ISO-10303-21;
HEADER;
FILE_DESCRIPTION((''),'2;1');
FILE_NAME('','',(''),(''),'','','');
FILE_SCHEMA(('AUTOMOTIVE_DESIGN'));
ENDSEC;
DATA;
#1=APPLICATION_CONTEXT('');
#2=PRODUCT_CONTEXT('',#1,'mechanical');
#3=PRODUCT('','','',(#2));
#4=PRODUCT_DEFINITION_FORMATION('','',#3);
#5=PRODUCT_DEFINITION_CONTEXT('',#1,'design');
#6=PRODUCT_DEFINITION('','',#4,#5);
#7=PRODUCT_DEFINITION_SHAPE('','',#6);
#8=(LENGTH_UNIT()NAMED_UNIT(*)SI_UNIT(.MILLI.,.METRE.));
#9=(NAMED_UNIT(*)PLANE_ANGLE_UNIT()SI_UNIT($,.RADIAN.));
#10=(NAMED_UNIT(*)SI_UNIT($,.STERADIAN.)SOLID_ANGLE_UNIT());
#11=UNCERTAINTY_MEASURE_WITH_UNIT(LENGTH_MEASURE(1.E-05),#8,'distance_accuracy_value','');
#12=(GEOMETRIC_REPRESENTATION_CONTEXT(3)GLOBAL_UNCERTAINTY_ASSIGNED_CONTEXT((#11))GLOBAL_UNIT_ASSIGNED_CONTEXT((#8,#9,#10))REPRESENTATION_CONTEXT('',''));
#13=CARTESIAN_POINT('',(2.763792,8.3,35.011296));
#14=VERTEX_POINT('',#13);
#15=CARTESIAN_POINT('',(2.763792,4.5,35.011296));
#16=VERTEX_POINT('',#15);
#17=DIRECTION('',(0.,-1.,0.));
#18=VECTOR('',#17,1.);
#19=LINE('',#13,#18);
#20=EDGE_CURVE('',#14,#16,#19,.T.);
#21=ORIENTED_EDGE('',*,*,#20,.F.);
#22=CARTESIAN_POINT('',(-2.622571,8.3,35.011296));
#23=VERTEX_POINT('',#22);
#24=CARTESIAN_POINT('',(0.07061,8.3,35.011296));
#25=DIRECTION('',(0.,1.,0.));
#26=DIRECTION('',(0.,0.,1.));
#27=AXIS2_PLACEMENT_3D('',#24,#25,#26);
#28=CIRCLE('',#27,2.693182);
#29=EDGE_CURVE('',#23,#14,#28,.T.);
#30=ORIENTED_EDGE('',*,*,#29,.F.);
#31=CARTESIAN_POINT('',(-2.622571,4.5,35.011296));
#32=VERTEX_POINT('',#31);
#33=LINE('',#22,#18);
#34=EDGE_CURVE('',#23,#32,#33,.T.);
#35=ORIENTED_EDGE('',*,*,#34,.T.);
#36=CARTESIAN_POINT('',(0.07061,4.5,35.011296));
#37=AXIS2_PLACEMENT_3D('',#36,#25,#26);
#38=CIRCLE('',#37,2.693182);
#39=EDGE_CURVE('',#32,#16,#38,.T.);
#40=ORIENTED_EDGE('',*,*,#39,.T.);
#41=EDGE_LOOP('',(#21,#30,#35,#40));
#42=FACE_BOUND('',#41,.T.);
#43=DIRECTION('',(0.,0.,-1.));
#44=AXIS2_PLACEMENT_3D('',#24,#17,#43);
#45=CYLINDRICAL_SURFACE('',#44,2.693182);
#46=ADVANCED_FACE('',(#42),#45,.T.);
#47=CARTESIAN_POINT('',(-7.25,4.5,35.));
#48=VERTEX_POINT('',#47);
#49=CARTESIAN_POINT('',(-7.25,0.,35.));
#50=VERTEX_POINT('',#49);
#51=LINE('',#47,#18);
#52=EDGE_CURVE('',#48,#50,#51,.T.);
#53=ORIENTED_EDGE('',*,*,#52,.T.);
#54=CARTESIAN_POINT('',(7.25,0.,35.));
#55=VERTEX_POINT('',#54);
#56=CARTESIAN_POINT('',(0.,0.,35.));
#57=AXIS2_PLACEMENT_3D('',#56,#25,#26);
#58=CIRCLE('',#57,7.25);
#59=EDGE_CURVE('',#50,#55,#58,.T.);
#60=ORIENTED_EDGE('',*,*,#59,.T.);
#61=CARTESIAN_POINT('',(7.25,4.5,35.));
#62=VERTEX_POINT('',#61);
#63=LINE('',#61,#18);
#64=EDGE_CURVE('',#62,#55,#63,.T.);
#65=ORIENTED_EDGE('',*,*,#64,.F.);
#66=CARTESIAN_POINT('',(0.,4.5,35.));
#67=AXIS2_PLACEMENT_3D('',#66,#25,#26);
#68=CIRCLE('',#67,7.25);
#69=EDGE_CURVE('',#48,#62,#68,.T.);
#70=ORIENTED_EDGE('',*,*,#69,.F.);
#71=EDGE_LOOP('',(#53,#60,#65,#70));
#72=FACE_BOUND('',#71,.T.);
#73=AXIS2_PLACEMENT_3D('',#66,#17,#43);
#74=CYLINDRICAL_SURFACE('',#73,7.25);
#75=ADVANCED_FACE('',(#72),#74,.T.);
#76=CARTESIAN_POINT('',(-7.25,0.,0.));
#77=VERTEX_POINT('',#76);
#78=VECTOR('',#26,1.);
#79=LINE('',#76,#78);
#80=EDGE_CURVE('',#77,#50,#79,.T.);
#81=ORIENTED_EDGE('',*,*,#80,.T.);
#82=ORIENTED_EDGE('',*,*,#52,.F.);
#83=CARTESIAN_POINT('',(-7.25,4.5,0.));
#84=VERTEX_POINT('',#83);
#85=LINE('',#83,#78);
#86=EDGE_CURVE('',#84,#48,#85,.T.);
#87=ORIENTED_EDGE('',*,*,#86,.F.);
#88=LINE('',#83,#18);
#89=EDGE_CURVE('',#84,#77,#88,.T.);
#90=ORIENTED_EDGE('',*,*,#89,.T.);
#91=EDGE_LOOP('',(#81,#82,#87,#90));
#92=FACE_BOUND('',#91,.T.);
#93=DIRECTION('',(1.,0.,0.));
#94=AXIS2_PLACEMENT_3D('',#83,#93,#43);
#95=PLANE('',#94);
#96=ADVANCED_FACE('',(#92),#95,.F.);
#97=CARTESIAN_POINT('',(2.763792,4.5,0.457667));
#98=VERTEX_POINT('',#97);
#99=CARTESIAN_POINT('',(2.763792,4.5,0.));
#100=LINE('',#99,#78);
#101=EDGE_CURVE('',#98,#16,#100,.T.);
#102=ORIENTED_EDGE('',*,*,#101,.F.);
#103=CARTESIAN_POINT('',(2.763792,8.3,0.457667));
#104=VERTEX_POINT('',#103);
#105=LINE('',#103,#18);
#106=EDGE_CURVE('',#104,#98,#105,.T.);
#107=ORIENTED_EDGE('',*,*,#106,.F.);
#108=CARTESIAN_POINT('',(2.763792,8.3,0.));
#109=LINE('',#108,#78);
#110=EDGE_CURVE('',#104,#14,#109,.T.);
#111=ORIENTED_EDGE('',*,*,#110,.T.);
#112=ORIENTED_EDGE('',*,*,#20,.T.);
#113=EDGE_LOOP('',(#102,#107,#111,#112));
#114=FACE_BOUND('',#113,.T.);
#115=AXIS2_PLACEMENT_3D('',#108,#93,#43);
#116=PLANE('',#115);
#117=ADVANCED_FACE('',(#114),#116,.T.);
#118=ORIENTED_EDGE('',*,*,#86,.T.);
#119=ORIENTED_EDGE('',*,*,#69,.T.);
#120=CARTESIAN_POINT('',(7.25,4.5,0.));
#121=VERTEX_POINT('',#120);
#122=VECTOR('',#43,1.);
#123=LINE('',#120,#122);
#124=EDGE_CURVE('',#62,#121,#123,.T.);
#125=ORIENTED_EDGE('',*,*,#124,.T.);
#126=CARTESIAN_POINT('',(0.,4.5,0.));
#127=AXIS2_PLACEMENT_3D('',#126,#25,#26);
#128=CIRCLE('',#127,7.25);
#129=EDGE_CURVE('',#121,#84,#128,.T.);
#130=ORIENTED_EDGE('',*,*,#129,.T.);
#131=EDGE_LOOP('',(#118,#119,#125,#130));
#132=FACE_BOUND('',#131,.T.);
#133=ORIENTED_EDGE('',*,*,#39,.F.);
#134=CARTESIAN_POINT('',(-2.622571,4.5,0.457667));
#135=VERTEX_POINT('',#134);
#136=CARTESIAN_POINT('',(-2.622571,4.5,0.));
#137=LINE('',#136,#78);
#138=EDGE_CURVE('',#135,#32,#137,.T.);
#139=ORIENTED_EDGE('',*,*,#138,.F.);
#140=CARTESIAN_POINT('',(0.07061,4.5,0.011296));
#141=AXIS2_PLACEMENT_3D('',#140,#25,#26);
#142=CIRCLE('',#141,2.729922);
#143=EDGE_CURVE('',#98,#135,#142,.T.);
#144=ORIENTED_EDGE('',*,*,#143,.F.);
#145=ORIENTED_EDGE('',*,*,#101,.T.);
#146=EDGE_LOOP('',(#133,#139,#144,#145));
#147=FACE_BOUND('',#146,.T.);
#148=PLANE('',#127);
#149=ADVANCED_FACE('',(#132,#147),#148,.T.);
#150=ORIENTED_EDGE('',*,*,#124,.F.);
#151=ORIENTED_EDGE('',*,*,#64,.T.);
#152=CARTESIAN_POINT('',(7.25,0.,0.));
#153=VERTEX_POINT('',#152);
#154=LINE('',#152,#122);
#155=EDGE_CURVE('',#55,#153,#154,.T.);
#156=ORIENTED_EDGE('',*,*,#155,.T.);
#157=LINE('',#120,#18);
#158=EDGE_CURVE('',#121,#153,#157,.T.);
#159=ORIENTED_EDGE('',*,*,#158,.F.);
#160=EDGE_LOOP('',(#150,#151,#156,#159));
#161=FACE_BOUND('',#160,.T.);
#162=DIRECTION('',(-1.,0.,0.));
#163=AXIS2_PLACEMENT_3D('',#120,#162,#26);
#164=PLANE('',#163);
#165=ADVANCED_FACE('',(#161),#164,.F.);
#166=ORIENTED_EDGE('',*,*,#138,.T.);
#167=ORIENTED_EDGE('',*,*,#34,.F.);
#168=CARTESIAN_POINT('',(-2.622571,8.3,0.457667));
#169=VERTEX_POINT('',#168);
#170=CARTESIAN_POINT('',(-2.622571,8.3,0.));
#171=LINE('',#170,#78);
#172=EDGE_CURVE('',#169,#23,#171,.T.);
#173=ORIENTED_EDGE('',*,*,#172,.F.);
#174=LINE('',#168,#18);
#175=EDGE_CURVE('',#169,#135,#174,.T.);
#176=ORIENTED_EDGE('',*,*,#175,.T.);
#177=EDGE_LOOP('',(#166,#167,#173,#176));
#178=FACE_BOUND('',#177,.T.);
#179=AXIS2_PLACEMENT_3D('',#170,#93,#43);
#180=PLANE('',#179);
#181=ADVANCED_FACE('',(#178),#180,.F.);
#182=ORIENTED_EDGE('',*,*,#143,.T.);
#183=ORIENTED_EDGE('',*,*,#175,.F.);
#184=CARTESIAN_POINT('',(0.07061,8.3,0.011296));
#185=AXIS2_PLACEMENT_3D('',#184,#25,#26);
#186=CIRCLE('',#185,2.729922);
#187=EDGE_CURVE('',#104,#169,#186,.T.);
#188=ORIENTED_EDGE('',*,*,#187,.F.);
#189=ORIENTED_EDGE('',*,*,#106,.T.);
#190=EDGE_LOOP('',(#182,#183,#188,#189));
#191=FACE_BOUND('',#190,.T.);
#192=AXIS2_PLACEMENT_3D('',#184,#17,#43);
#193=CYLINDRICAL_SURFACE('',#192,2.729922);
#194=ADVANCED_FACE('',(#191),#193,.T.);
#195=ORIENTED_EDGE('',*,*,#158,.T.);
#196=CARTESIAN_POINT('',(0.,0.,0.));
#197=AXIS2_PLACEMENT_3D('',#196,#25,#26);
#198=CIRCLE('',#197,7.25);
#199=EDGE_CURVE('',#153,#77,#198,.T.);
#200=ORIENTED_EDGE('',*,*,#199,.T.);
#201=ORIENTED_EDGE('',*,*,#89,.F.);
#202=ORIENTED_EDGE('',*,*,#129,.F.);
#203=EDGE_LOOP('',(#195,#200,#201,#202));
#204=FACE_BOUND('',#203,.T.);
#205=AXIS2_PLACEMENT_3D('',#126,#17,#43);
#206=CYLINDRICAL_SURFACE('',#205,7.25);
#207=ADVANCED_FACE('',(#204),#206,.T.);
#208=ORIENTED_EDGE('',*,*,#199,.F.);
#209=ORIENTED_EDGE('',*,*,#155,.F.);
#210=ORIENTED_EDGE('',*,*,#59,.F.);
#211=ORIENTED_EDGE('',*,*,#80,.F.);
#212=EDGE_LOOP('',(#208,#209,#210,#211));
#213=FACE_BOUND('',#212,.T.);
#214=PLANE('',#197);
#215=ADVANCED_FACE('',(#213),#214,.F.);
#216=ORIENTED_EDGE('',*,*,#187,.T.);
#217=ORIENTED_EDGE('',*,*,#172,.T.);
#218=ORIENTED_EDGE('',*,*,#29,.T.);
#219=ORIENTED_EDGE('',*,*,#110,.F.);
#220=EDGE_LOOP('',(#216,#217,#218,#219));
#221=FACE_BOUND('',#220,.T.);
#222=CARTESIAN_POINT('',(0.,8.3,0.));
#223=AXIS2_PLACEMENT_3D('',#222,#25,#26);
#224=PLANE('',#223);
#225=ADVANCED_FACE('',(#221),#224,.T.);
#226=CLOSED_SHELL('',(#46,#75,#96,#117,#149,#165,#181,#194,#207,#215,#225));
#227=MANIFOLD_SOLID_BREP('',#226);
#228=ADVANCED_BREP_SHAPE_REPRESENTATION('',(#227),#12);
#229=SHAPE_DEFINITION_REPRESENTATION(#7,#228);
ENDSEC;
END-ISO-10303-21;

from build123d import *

# Parameters (mm, degrees)
BOSS_EXTRUDE1_DEPTH = 4.5
BOSS_EXTRUDE2_DEPTH = 3.8
BOSS_EXTRUDE3_DEPTH = 8.1
CUT_EXTRUDE2_START  = -8.1
CUT_EXTRUDE2_DEPTH  = 8.1


with BuildPart() as part:
    # Sketch1 → Boss-Extrude1 (new body)
    with BuildSketch(Plane(origin=(0, 0, 0), x_dir=(1, 0, 0), z_dir=(0, 1, 0))):
        with BuildLine():
            Line((7.25, 0), (7.25, -35))
            ThreePointArc((7.25, -35), (0, -42.25), (-7.25, -35))
            Line((-7.25, -35), (-7.25, 0))
            ThreePointArc((-7.25, 0), (0, 7.25), (7.25, 0))
        make_face()
    extrude(amount=BOSS_EXTRUDE1_DEPTH)

    # Sketch3 → Boss-Extrude2 (add)
    with BuildSketch(Plane(origin=(0, 4.5, 0), x_dir=(1, 0, 0), z_dir=(0, 1, 0))):
        with BuildLine():
            Line((-2.622571491, -0.457666807), (-2.622571491, -0.011296081))
            Line((-2.622571491, -0.011296081), (2.763792269, -0.011296081))
            Line((2.763792269, -0.011296081), (2.763792269, -0.457666807))
            ThreePointArc((2.763792269, -0.457666807), (2.791332039, -0.235236185), (2.800532634, -0.011296081))
            ThreePointArc((2.800532634, -0.011296081), (-0.153329714, 2.709425568), (-2.622571491, -0.457666807))
        make_face()
        with BuildLine():
            Line((2.763792269, -0.011296081), (-2.622571491, -0.011296081))
            Line((-2.622571491, -0.011296081), (-2.622571491, -0.457666807))
            ThreePointArc((-2.622571491, -0.457666807), (0.070610389, -2.741218326), (2.763792269, -0.457666807))
            Line((2.763792269, -0.457666807), (2.763792269, -0.011296081))
        make_face()
        with BuildLine():
            ThreePointArc((2.763792269, -0.457666807), (0.070610389, -2.741218326), (-2.622571491, -0.457666807))
            Line((-2.622571491, -0.457666807), (-2.622571491, -35.011296081))
            ThreePointArc((-2.622571491, -35.011296081), (0.070610389, -32.318114201), (2.763792269, -35.011296081))
            Line((2.763792269, -35.011296081), (2.763792269, -0.457666807))
        make_face()
        with BuildLine():
            ThreePointArc((2.763792269, -35.011296081), (0.070610389, -32.318114201), (-2.622571491, -35.011296081))
            Line((-2.622571491, -35.011296081), (2.763792269, -35.011296081))
        make_face()
        with BuildLine():
            Line((2.763792269, -35.011296081), (-2.622571491, -35.011296081))
            ThreePointArc((-2.622571491, -35.011296081), (0.070610389, -37.704477961), (2.763792269, -35.011296081))
        make_face()
    extrude(amount=BOSS_EXTRUDE2_DEPTH)

    # Sketch4 → Boss-Extrude3 (add)
    with BuildSketch(Plane(origin=(0, 8.3, 0), x_dir=(1, 0, 0), z_dir=(0, 1, 0))):
        with BuildLine():
            Line((7.25308141, 0.014627933), (7.323691799, -34.996668148))
            ThreePointArc((7.323691799, -34.996668148), (0.085238322, -42.264377491), (-7.182471021, -35.025924014))
            Line((-7.182471021, -35.025924014), (-7.25308141, -0.014627933))
            ThreePointArc((-7.25308141, -0.014627933), (-0.014627933, 7.25308141), (7.25308141, 0.014627933))
        make_face()
    extrude(amount=BOSS_EXTRUDE3_DEPTH)

    # Sketch6 → Cut-Extrude2 (cut)
    with BuildSketch(Plane(origin=(0, 16.4, 0), x_dir=(1, 0, 0), z_dir=(0, 1, 0)).offset(CUT_EXTRUDE2_START)):
        with BuildLine():
            Line((-24.579752733, 25.941605668), (4.44385737, 25.941605668))
            Line((4.44385737, 25.941605668), (4.44385737, 5.732323751))
            ThreePointArc((4.44385737, 5.732323751), (6.509808413, 3.198405594), (7.25308141, 0.014627933))
            Line((7.25308141, 0.014627933), (7.323691799, -34.996668148))
            ThreePointArc((7.323691799, -34.996668148), (6.567208075, -38.236450718), (4.44385737, -40.797669277))
            Line((4.44385737, -40.797669277), (4.44385737, -52.11567356))
            Line((4.44385737, -52.11567356), (-24.579752733, -52.11567356))
            Line((-24.579752733, -52.11567356), (-24.579752733, -65.847384837))
            Line((-24.579752733, -65.847384837), (23.383123672, -65.847384837))
            Line((23.383123672, -65.847384837), (23.383123672, 36.458721402))
            Line((23.383123672, 36.458721402), (-24.579752733, 36.458721402))
            Line((-24.579752733, 36.458721402), (-24.579752733, 25.941605668))
        make_face()
        with BuildLine():
            Line((4.44385737, 5.732323751), (4.44385737, 25.941605668))
            Line((4.44385737, 25.941605668), (-24.579752733, 25.941605668))
            Line((-24.579752733, 25.941605668), (-24.579752733, -52.11567356))
            Line((-24.579752733, -52.11567356), (4.44385737, -52.11567356))
            Line((4.44385737, -52.11567356), (4.44385737, -40.797669277))
            ThreePointArc((4.44385737, -40.797669277), (-3.154544247, -41.507893767), (-7.182471021, -35.025924014))
            Line((-7.182471021, -35.025924014), (-7.25308141, -0.014627933))
            ThreePointArc((-7.25308141, -0.014627933), (-3.198405594, 6.509808413), (4.44385737, 5.732323751))
        make_face()
        with BuildLine():
            Line((4.44385737, -40.797669277), (4.44385737, 5.732323751))
            ThreePointArc((4.44385737, 5.732323751), (-3.198405594, 6.509808413), (-7.25308141, -0.014627933))
            Line((-7.25308141, -0.014627933), (-7.182471021, -35.025924014))
            ThreePointArc((-7.182471021, -35.025924014), (-3.154544247, -41.507893767), (4.44385737, -40.797669277))
        make_face()
        with BuildLine():
            ThreePointArc((7.25308141, 0.014627933), (6.509808413, 3.198405594), (4.44385737, 5.732323751))
            Line((4.44385737, 5.732323751), (4.44385737, -40.797669277))
            ThreePointArc((4.44385737, -40.797669277), (6.567208075, -38.236450718), (7.323691799, -34.996668148))
            Line((7.323691799, -34.996668148), (7.25308141, 0.014627933))
        make_face()
    extrude(amount=CUT_EXTRUDE2_DEPTH, mode=Mode.SUBTRACT)


solid = part.part
